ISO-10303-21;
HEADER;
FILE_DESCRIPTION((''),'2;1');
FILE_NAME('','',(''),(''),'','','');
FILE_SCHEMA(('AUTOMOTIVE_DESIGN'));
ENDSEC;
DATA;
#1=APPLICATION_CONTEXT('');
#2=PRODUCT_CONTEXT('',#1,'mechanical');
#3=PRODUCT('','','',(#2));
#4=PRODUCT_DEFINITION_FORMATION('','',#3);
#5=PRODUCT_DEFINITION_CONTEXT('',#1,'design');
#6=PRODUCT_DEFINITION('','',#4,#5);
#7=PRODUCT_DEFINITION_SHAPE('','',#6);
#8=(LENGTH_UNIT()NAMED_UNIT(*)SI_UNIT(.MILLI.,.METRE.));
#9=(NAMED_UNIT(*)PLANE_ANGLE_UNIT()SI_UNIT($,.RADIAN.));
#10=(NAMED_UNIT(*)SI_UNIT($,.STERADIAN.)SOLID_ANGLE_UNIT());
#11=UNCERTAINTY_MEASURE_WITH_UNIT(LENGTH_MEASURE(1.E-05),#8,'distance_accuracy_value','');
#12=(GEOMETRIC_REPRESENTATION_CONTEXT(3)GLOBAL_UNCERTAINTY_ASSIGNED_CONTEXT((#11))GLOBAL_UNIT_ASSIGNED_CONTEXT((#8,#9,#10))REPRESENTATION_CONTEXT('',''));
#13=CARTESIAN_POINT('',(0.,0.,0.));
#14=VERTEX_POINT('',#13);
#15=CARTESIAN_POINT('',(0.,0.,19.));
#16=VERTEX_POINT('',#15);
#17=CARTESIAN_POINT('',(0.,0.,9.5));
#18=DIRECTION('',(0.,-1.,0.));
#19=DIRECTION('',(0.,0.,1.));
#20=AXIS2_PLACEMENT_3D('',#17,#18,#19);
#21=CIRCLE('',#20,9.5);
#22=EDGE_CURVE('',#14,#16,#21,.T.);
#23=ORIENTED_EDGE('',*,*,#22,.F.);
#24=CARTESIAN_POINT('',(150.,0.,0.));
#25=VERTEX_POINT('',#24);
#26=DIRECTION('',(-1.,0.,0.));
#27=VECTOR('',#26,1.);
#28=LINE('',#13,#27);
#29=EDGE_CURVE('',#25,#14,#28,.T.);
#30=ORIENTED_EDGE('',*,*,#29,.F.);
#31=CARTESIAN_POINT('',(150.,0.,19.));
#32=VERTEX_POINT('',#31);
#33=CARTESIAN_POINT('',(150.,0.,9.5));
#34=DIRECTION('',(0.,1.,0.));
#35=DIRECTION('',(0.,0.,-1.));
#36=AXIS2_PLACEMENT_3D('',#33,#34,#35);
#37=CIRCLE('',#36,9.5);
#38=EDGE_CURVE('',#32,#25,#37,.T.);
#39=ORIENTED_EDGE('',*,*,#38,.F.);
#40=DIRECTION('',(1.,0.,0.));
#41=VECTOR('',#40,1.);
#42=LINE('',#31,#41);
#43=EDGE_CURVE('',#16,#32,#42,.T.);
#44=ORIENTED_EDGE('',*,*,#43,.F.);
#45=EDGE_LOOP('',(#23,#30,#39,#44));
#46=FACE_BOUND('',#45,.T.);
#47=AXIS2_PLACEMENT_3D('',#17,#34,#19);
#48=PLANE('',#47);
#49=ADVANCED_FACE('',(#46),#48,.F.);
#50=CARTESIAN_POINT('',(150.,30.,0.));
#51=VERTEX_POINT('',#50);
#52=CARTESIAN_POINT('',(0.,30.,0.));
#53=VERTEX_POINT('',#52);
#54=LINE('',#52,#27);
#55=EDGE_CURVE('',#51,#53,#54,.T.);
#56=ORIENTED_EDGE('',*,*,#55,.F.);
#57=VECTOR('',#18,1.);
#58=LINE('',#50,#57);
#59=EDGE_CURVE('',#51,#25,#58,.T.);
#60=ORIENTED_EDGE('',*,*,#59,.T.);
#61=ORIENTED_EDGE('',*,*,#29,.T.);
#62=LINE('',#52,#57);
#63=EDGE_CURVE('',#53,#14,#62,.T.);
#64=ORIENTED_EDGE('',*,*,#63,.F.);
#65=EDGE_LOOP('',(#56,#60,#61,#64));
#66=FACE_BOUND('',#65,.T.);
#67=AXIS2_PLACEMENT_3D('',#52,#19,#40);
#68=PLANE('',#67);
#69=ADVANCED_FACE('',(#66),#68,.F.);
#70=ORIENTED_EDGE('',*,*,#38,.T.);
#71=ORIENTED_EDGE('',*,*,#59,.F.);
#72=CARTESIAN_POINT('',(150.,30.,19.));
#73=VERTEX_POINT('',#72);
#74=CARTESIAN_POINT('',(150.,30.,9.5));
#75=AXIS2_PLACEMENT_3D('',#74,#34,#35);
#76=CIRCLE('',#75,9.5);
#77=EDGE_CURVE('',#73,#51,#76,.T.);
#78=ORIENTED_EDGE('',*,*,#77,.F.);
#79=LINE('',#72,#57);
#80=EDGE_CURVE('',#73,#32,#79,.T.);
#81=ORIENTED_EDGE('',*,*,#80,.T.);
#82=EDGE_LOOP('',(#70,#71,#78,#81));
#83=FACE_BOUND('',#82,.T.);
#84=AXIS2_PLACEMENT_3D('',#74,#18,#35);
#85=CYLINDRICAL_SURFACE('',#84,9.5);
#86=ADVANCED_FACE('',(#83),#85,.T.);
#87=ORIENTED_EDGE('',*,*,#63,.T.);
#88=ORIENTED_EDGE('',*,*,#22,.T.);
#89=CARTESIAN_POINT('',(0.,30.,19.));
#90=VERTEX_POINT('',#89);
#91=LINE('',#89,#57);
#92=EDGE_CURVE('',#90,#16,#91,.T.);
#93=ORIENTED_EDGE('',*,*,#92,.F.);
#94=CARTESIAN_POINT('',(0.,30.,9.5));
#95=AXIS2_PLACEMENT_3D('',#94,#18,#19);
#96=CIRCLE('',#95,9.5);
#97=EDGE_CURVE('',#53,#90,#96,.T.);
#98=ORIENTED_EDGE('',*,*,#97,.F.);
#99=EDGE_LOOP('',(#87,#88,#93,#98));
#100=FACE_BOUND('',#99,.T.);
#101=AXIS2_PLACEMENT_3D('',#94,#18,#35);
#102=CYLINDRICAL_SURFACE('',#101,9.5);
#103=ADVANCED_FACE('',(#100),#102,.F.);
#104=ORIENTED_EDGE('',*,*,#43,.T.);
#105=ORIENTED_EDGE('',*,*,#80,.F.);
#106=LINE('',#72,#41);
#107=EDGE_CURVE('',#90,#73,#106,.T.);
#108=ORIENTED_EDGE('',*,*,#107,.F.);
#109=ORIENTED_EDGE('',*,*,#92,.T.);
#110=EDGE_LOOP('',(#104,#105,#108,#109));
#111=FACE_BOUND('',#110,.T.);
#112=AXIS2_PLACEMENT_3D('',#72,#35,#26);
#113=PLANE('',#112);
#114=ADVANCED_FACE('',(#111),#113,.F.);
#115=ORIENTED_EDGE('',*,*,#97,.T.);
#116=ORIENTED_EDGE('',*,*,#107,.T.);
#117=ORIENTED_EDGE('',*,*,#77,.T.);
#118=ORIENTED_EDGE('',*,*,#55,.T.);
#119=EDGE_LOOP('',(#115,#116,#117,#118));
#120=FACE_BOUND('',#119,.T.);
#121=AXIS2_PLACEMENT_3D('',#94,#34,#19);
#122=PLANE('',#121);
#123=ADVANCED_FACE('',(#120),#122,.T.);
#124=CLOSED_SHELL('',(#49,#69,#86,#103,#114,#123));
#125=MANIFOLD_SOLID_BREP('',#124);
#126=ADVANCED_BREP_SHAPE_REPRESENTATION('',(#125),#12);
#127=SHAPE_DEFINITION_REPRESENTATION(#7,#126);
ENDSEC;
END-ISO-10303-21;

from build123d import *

# Parameters (mm, degrees)
BOSS_EXTRUDE1_DEPTH = 30


with BuildPart() as part:
    # Sketch1 → Boss-Extrude1 (new body)
    with BuildSketch(Plane(origin=(0, 0, 0), x_dir=(1, 0, 0), z_dir=(0, 1, 0))):
        with BuildLine():
            Line((0, 0), (150, 0))
            ThreePointArc((150, 0), (159.5, -9.5), (150, -19))
            Line((150, -19), (0, -19))
            ThreePointArc((0, -19), (9.5, -9.5), (0, 0))
        make_face()
    extrude(amount=BOSS_EXTRUDE1_DEPTH)


solid = part.part
